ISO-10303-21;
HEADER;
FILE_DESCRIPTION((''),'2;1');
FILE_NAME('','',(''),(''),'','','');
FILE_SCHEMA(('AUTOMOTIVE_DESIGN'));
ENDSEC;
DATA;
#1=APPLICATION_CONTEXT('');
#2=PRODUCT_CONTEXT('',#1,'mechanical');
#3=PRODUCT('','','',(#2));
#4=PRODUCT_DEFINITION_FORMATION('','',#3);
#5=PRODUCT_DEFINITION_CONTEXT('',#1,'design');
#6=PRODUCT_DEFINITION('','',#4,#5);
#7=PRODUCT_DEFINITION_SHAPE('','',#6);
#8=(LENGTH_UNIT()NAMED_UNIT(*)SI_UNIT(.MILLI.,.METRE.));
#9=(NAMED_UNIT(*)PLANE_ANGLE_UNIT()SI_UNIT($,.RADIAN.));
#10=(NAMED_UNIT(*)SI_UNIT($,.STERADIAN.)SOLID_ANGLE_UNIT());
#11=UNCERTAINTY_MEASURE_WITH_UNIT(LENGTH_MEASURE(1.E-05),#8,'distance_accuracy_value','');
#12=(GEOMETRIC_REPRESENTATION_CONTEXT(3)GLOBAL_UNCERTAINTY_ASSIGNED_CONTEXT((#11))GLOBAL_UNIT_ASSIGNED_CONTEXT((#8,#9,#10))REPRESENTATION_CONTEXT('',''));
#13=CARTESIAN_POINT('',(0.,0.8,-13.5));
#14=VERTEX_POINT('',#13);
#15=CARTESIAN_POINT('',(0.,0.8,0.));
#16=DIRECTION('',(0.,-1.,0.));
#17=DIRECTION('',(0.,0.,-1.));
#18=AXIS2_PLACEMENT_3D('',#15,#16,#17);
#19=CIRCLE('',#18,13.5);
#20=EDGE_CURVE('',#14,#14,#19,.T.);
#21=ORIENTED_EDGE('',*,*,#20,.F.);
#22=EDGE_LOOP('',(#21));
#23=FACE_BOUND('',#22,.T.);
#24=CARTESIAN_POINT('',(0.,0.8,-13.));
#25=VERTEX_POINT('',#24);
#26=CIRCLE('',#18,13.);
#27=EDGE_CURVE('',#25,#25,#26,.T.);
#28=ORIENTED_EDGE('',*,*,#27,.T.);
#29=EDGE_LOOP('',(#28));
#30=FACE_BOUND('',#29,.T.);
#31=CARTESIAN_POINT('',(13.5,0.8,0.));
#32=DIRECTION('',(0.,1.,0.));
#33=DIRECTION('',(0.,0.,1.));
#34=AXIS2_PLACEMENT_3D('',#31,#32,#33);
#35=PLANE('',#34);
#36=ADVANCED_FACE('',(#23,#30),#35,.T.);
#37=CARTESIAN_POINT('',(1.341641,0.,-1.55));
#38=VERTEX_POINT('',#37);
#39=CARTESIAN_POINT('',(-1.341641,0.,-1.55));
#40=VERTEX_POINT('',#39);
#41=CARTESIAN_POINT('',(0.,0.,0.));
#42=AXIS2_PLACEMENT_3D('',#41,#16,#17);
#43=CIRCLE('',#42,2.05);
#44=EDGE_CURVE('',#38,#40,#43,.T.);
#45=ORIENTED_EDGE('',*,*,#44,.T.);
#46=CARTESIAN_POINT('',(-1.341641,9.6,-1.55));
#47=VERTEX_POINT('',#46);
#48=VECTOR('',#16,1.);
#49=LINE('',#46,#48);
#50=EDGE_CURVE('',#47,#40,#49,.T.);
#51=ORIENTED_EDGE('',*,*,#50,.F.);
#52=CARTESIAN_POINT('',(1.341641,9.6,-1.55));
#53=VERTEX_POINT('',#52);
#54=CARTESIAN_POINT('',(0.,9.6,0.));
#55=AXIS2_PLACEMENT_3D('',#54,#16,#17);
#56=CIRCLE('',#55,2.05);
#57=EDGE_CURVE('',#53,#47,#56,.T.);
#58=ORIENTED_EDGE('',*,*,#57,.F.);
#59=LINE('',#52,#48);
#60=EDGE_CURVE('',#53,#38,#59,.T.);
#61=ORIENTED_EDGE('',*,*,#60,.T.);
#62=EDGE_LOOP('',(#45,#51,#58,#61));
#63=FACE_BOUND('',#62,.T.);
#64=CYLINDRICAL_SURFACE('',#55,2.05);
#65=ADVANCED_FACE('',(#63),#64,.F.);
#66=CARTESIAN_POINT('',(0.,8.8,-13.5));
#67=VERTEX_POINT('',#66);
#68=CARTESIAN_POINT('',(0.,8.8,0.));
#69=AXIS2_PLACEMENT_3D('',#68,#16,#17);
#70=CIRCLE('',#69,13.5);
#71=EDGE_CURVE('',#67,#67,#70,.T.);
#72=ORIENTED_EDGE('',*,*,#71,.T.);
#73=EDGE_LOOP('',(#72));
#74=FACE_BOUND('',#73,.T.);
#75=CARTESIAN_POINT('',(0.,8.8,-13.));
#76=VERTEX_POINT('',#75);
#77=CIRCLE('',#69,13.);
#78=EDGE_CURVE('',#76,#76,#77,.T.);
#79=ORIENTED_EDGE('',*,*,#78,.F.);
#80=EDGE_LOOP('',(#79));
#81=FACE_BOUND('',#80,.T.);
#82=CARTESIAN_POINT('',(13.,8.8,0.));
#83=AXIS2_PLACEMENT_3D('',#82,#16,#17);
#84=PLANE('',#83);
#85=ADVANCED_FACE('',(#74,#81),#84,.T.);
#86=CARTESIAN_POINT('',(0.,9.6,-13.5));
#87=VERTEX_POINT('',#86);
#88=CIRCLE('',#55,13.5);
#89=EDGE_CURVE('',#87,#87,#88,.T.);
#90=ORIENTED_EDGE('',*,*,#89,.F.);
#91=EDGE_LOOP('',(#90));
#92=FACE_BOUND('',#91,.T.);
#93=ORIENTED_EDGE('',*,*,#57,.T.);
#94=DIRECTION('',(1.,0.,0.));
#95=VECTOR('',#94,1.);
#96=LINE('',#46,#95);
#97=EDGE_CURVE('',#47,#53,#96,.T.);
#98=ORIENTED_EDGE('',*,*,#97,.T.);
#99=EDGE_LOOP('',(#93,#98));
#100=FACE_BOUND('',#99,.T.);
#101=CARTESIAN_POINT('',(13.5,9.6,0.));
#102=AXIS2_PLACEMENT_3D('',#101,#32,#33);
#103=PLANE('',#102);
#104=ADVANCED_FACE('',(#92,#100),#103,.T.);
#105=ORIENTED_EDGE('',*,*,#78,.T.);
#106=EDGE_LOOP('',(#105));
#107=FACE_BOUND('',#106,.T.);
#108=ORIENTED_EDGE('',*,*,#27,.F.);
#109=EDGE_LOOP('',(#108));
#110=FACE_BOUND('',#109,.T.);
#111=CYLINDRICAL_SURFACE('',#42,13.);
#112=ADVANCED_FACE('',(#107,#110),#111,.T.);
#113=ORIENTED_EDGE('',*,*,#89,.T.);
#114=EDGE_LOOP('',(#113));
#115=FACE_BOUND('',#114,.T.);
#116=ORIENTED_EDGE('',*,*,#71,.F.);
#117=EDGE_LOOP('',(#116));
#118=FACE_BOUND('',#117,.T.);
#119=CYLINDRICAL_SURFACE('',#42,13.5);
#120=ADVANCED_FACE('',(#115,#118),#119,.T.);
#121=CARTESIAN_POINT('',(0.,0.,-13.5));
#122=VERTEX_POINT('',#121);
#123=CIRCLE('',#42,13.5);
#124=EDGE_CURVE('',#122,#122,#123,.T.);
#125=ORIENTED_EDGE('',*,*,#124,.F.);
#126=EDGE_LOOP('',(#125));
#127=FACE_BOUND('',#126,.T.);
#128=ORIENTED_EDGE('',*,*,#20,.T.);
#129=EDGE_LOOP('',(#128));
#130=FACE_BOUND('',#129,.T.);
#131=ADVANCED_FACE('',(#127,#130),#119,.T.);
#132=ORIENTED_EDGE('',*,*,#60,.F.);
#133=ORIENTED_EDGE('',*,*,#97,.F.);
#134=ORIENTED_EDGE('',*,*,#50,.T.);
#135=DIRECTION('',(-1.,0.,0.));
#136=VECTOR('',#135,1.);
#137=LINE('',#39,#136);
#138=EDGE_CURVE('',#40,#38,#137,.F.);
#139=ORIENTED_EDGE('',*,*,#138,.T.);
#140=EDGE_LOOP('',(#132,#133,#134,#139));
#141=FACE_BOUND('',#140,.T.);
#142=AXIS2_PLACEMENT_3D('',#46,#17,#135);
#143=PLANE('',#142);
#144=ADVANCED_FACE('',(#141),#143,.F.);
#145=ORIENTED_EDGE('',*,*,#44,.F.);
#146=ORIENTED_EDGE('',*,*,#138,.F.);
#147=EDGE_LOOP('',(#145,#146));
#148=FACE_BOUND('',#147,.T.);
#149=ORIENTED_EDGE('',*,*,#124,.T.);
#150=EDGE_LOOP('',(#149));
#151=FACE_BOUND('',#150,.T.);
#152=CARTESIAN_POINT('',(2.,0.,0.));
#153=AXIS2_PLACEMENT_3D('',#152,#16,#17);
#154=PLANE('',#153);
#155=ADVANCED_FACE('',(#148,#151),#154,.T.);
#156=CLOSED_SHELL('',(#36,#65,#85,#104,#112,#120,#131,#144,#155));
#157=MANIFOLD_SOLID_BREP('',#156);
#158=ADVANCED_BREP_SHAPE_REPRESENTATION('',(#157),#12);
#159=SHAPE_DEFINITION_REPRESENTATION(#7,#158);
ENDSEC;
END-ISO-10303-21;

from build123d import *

# Parameters (mm, degrees)
BOSS_EXTRUDE1_START     = -9.6
BOSS_EXTRUDE1_DEPTH     = 9.6
CUT_EXTRUDE1_DEPTH      = 22.369604582
CUT_EXTRUDE1_DEPTH_BACK = 22.369604582


with BuildPart() as part:
    # Sketch1 → Revolve1 (revolve)
    with BuildSketch(Plane.XY, mode=Mode.PRIVATE) as revolve1_sk:
        Polygon((2, 0), (13.5, 0), (13.5, 0.8), (13, 0.8), (13, 8.8), (13.5, 8.8), (13.5, 9.6), (2, 9.6), align=None)
    revolve(revolve1_sk.sketch.rotate(Axis((0, 0, 0), (0, 1, 0)), 90), axis=Axis((0, 0, 0), (0, 1, 0)))

    # Sketch2 → Boss-Extrude1 (add)
    with BuildSketch(Plane(origin=(0, 9.6, 0), x_dir=(1, 0, 0), z_dir=(0, 1, 0)).offset(BOSS_EXTRUDE1_START)):
        with BuildLine():
            Line((-1.322875656, 1.5), (1.322875656, 1.5))
            ThreePointArc((1.322875656, 1.5), (0, 2), (-1.322875656, 1.5))
        make_face()
    extrude(amount=BOSS_EXTRUDE1_DEPTH)

    # Sketch4 → Cut-Extrude1 (cut, two sides: drawn at the far end of the back side and taken through both)
    with BuildSketch(Plane.XZ.offset(-CUT_EXTRUDE1_DEPTH_BACK)):
        with BuildLine():
            Line((-1.341640786, -1.55), (1.341640786, -1.55))
            ThreePointArc((1.341640786, -1.55), (0, 2.05), (-1.341640786, -1.55))
        make_face()
    extrude(amount=CUT_EXTRUDE1_DEPTH + CUT_EXTRUDE1_DEPTH_BACK, mode=Mode.SUBTRACT)


solid = part.part
